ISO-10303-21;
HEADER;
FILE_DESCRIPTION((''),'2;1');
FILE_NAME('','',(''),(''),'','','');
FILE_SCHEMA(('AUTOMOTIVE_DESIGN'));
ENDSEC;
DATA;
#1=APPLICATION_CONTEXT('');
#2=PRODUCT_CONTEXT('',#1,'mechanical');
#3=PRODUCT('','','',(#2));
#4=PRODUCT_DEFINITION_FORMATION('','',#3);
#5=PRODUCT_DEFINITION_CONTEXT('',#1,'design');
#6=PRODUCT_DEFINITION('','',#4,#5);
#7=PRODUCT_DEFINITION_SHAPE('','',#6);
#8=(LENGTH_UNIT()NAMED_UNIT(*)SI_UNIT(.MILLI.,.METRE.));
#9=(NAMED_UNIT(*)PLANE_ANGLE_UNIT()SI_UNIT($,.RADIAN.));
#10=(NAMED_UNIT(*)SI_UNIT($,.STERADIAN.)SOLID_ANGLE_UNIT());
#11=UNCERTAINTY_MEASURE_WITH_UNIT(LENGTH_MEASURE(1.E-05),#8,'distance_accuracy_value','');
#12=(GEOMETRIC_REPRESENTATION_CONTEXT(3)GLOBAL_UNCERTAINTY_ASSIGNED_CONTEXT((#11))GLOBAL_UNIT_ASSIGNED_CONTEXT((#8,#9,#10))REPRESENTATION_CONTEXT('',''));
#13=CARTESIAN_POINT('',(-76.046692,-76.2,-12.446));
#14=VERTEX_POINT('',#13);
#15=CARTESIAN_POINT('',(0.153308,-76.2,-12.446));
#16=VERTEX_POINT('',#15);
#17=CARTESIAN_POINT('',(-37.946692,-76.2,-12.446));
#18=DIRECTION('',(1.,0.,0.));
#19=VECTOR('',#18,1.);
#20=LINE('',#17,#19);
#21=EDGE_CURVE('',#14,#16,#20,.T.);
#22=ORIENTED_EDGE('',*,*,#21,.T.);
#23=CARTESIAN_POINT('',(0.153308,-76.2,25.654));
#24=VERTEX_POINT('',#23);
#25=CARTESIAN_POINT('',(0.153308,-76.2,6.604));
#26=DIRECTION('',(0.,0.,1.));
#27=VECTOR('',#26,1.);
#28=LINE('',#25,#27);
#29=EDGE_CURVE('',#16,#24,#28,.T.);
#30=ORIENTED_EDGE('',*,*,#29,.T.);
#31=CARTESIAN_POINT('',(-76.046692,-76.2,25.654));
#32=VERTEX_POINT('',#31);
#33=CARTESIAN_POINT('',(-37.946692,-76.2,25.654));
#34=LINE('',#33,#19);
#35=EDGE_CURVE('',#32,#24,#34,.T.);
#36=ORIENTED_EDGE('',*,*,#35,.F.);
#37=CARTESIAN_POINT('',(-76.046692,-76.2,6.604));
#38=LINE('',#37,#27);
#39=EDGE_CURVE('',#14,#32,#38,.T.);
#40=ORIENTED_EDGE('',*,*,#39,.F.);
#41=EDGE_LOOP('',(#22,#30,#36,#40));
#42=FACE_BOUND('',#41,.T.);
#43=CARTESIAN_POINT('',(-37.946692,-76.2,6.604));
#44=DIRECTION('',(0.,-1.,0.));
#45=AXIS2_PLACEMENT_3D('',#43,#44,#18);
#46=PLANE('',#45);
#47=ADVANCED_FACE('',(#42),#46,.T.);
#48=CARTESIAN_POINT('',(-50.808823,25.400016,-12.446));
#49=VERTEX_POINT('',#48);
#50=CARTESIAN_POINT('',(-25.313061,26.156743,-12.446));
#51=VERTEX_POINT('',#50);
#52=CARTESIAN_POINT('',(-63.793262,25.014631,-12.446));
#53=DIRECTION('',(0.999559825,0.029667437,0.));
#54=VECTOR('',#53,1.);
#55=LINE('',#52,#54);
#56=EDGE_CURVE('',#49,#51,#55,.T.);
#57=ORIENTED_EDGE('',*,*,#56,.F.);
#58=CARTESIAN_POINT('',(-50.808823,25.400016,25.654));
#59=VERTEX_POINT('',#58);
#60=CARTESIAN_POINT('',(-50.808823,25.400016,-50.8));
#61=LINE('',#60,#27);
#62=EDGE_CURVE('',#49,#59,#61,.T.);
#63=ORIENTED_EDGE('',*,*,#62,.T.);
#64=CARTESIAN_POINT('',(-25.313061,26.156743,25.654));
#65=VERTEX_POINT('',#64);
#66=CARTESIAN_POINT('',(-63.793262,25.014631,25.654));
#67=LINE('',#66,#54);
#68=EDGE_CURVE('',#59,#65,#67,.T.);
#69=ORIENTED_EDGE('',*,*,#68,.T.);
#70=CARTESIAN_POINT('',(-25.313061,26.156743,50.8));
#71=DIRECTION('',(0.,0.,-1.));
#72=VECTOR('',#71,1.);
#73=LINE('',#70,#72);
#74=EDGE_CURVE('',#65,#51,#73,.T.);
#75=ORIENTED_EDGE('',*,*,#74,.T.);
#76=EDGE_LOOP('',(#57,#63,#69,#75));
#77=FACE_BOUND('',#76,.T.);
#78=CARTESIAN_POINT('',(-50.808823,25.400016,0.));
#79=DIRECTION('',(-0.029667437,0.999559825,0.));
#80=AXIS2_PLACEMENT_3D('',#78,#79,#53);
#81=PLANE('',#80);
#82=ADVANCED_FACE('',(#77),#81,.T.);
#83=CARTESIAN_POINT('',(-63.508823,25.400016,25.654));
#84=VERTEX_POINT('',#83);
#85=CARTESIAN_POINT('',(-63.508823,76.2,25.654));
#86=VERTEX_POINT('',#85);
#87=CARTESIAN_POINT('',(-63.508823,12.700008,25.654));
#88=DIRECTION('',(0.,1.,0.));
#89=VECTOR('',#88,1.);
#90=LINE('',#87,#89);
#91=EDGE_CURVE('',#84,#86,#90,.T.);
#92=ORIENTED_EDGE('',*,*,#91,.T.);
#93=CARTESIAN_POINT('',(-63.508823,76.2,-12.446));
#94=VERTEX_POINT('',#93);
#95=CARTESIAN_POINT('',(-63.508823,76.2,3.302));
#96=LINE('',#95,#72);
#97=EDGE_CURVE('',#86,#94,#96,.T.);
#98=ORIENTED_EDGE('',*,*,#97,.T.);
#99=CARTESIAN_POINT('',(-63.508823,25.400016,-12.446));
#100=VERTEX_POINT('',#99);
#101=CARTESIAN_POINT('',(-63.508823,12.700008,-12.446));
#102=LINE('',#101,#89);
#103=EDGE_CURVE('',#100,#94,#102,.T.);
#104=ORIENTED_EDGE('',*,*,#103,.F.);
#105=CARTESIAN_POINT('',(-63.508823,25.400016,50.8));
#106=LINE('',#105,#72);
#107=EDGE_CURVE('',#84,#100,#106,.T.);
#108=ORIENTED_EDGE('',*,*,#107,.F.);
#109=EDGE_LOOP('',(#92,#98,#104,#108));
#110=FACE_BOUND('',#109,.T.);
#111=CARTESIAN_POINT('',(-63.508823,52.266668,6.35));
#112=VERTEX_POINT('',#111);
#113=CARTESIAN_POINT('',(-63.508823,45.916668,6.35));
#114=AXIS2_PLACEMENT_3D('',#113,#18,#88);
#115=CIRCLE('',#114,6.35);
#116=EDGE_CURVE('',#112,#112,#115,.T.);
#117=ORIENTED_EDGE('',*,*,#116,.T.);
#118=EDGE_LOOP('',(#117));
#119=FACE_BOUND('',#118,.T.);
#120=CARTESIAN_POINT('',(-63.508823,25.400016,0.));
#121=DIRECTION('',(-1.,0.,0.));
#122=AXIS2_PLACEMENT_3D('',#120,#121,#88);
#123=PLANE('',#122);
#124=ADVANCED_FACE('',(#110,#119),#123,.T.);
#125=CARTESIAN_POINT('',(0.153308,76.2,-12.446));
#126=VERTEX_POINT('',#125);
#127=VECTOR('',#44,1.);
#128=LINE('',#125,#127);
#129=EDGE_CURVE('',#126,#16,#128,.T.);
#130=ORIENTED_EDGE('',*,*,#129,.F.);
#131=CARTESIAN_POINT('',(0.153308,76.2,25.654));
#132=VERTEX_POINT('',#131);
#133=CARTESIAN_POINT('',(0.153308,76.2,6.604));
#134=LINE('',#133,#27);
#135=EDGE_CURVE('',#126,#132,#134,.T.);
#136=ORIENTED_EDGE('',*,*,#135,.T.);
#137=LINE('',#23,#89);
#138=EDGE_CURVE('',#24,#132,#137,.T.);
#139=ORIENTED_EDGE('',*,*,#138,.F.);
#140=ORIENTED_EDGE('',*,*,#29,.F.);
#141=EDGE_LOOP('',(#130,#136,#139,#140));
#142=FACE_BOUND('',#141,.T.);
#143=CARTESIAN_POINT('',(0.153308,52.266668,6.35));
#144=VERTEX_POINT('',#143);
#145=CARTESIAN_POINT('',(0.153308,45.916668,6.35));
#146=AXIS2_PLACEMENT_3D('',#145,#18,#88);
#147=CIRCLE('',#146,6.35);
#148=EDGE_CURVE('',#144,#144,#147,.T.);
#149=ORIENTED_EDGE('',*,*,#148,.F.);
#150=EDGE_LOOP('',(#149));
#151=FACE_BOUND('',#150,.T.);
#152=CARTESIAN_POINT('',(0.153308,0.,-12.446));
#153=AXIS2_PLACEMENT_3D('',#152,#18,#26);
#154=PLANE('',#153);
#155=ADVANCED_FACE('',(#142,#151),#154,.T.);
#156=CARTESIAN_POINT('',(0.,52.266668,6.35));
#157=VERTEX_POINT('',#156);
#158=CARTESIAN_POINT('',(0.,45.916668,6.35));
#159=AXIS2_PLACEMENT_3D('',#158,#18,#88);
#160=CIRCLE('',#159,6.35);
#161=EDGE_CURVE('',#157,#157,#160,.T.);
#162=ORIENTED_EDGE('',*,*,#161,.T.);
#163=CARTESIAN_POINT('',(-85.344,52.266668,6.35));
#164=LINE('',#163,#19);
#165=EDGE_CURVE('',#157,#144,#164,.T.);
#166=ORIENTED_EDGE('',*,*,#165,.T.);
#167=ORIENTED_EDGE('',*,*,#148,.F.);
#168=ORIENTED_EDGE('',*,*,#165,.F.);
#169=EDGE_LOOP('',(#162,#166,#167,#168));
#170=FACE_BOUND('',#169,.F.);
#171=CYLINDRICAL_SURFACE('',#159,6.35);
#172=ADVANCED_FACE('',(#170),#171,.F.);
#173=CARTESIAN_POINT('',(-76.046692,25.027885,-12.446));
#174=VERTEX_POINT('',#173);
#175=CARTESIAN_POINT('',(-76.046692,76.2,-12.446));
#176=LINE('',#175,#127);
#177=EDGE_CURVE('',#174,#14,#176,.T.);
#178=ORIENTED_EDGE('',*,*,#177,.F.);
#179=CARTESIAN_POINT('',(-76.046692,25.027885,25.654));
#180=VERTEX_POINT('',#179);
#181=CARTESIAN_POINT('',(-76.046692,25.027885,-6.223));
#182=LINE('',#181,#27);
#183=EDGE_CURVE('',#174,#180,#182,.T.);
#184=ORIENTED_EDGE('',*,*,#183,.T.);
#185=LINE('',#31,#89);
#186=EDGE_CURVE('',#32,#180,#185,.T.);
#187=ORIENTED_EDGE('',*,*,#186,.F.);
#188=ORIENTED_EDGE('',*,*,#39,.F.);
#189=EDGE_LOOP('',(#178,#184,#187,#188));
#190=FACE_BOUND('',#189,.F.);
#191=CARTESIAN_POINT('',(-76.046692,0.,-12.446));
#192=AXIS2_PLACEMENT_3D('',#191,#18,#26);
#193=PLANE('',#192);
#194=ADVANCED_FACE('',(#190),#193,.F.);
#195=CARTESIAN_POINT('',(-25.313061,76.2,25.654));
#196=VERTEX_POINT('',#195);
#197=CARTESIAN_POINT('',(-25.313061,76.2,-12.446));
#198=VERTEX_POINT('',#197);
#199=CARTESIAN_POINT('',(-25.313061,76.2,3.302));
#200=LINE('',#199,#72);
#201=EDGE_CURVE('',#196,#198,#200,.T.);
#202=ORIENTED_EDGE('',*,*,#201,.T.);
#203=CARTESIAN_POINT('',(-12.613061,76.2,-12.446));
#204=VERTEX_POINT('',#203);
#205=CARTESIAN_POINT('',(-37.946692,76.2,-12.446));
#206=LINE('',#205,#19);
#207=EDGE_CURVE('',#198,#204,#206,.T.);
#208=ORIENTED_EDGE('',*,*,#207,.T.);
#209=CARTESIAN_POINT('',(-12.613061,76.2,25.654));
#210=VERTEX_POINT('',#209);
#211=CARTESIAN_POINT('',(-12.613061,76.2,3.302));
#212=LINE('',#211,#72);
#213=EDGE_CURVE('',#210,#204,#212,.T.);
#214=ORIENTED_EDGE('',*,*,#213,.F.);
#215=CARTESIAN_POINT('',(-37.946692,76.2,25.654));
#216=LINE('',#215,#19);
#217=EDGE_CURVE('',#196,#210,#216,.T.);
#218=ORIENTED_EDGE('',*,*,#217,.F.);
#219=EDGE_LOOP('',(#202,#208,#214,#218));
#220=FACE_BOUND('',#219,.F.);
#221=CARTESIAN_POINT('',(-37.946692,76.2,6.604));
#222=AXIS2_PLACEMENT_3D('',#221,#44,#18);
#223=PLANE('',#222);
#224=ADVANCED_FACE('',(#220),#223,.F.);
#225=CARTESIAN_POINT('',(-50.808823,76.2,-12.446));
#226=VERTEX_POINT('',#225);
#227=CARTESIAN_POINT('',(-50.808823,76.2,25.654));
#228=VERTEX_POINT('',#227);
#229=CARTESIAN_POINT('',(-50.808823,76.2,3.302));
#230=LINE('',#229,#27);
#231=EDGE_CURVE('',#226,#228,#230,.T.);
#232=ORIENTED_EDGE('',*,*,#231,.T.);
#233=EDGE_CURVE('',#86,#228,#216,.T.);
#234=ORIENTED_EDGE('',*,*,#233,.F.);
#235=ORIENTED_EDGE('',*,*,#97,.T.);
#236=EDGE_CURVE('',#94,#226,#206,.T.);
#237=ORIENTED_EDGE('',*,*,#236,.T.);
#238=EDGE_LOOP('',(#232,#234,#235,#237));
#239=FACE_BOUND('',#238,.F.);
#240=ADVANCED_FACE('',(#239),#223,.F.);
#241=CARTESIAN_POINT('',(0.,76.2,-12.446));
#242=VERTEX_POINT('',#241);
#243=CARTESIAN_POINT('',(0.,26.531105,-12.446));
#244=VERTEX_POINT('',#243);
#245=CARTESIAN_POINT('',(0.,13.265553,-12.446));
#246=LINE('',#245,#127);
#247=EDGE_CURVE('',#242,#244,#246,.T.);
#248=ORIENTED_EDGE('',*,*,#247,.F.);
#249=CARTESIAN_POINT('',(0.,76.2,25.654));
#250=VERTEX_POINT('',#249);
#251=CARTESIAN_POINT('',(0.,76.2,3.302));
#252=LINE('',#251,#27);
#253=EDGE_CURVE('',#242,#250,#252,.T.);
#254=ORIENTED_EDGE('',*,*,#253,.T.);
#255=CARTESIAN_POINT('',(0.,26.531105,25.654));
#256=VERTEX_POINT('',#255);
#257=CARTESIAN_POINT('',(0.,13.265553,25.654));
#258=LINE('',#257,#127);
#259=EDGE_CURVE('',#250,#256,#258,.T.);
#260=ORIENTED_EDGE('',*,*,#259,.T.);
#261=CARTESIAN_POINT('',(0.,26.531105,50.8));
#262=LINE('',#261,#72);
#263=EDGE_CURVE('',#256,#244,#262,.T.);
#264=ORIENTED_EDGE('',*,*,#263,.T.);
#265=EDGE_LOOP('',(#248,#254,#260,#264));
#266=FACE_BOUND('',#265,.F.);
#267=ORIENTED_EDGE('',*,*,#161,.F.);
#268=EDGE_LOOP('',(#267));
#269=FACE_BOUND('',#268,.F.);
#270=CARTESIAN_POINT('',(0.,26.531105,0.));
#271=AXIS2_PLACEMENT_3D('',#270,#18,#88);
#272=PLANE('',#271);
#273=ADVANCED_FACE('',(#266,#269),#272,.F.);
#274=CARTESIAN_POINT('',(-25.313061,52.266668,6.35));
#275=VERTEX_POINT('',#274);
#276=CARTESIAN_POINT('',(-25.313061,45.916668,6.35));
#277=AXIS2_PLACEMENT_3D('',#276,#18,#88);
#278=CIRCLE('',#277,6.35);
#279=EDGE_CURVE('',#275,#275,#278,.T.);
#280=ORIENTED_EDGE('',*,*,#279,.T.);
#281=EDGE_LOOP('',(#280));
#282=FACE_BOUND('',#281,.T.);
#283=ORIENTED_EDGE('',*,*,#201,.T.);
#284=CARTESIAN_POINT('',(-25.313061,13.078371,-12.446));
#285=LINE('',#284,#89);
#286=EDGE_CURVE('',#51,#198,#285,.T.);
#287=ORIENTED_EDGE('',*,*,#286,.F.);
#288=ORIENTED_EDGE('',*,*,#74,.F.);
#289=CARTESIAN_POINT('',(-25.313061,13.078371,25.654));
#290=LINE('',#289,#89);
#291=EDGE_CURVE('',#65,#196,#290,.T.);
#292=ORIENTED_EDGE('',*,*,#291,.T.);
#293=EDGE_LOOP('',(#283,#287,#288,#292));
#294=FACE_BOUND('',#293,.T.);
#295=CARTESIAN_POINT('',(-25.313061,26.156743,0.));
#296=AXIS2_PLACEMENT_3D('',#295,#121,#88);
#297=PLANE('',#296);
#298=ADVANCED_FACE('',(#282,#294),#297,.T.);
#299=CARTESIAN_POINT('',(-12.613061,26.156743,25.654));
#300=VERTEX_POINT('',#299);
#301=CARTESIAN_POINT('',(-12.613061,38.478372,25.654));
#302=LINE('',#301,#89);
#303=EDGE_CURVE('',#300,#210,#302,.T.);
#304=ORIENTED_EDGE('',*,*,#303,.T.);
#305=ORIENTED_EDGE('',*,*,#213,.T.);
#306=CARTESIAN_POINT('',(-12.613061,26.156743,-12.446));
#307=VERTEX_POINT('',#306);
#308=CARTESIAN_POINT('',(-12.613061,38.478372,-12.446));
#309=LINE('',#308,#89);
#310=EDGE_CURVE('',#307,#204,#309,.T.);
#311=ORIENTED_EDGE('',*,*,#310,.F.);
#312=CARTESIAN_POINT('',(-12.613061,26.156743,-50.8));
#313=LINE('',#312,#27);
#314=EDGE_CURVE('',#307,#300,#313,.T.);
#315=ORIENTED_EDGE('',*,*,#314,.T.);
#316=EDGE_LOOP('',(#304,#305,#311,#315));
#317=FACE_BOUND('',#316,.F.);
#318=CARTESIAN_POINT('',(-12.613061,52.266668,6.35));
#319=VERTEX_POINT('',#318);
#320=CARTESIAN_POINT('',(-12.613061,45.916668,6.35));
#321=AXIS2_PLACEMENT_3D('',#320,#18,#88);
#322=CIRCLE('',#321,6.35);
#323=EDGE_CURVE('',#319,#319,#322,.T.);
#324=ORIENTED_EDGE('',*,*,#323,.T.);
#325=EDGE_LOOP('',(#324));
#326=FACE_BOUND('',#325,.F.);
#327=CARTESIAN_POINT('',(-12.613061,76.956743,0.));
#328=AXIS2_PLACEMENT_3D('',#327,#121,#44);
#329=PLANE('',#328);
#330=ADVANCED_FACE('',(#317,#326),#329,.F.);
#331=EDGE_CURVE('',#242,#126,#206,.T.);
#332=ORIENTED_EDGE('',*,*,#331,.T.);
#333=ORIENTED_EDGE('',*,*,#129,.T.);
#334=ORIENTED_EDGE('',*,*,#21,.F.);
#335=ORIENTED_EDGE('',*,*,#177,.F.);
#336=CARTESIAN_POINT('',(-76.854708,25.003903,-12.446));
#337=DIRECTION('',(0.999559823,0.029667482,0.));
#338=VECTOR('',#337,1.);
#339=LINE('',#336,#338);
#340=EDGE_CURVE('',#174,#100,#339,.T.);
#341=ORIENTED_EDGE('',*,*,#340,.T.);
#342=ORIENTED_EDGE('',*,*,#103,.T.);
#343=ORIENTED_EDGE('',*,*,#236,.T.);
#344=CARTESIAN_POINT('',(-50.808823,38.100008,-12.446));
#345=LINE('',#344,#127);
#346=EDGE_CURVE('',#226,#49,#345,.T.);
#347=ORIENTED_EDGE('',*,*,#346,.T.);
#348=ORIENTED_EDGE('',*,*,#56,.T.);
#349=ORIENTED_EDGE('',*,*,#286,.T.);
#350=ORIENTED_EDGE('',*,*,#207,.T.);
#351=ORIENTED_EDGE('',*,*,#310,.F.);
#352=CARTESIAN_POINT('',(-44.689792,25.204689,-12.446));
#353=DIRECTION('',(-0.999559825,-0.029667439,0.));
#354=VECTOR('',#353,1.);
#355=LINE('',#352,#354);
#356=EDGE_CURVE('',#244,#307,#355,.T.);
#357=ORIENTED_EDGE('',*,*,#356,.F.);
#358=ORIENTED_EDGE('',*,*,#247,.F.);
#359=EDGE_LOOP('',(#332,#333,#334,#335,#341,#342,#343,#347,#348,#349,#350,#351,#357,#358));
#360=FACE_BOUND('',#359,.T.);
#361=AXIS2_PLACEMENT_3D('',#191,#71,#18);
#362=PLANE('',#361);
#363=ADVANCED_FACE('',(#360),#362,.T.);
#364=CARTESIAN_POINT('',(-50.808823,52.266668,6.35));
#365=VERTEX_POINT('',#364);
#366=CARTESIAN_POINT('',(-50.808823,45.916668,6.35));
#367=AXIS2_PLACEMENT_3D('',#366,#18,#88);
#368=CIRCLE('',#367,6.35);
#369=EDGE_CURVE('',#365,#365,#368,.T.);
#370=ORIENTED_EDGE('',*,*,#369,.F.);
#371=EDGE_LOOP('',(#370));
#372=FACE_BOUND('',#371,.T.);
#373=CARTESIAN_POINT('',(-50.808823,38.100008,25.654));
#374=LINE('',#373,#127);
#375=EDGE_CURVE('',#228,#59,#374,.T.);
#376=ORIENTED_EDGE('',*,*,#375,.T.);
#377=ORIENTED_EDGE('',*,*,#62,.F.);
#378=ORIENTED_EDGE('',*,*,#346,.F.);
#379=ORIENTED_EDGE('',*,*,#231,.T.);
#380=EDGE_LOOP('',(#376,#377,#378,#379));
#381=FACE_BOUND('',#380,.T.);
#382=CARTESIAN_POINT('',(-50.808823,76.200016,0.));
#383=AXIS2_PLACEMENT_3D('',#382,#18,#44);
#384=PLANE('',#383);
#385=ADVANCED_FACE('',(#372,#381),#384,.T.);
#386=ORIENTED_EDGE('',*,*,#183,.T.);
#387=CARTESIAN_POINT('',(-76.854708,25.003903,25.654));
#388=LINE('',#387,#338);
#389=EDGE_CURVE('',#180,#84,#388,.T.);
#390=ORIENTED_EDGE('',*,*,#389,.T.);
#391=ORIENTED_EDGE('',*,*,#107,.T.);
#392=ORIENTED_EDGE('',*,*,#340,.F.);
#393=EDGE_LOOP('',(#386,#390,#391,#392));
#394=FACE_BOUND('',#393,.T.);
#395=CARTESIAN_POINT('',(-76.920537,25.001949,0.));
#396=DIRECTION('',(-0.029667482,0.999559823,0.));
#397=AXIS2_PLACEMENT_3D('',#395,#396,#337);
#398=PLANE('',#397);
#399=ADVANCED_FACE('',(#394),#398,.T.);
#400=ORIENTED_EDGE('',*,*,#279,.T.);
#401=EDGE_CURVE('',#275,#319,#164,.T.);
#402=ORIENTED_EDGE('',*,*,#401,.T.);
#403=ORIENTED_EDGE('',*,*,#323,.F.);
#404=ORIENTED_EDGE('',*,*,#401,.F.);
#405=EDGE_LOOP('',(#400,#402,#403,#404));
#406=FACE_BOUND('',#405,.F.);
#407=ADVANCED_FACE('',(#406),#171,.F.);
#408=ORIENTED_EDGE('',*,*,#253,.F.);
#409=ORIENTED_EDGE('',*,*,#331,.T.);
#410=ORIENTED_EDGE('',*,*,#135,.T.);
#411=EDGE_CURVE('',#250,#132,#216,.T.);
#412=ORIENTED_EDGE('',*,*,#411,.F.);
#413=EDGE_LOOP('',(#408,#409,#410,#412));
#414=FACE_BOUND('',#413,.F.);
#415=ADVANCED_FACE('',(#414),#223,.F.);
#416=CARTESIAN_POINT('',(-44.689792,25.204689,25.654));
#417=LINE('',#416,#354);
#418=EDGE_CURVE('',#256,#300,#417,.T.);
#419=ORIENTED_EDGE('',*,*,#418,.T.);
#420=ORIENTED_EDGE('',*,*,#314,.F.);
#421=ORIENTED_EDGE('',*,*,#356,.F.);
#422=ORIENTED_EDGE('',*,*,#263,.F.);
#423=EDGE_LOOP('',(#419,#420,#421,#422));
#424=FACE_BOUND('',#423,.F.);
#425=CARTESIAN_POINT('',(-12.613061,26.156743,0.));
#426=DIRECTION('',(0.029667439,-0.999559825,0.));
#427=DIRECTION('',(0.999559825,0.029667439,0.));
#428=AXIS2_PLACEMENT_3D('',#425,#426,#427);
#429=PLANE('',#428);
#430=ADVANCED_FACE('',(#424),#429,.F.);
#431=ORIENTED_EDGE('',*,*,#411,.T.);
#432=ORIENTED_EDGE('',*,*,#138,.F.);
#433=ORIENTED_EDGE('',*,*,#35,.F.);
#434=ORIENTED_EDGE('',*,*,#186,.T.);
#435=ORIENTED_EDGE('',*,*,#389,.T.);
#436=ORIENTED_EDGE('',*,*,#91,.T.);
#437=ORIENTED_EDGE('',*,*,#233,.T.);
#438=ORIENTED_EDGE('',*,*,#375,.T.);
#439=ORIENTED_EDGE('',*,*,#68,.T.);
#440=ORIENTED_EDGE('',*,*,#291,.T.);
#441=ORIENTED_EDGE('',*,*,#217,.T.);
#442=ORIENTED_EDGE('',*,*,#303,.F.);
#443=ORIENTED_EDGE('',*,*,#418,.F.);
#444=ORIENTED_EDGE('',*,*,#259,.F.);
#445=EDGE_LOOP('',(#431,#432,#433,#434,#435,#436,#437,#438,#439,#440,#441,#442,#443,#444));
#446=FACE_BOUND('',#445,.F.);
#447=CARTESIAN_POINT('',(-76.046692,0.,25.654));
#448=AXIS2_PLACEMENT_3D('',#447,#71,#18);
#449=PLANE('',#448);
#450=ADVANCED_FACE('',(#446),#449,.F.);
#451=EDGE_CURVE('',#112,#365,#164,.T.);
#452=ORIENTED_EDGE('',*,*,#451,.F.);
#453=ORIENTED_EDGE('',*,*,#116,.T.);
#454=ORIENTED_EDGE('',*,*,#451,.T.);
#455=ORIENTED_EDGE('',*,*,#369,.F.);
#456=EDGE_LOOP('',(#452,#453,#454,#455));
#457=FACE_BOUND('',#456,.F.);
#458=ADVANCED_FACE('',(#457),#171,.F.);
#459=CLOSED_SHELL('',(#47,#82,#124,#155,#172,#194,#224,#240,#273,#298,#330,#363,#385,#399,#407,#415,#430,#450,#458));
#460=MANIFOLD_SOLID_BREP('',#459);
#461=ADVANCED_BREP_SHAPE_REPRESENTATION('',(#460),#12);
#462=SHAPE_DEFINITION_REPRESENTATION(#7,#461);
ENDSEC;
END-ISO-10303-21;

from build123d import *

# Parameters (mm, degrees)
F0_W     = 76.2
F0_H     = 38.1
F1_DEPTH = 76.2
F3_R     = 6.35
F4_DEPTH = 85.344
F6_DEPTH = 50.8


with BuildPart() as f1:
    # F0 (on Front) → F1 (new body, symmetric)
    with BuildSketch(Plane.XZ):
        with Locations((-179.678692, 19.05)):
            Rectangle(F0_W, F0_H)
    extrude(amount=F1_DEPTH, both=True)


with BuildPart() as f1_1:
    # F2: moved
    add(f1.part.moved(Location((141.732, 0, -12.446))))

    # F3 (on Right) → F4 (cut, symmetric)
    with BuildSketch(Plane.YZ):
        with Locations((45.916668, 6.35)):
            Circle(F3_R)
    extrude(amount=F4_DEPTH, both=True, mode=Mode.SUBTRACT)

    # F5 (on Top) → F6 (cut, symmetric)
    with BuildSketch(Plane.XY):
        Polygon((-63.508823, 25.400016), (-63.508823, 76.200016), (-76.920537, 76.956743), (-76.920537, 25.001949), align=None)
        Polygon((-25.313061, 76.956743), (-50.808823, 76.200016), (-50.808823, 25.400016), (-25.313061, 26.156743), align=None)
        Polygon((0, 76.200016), (-12.613061, 76.956743), (-12.613061, 26.156743), (0, 26.531105), align=None)
    extrude(amount=F6_DEPTH, both=True, mode=Mode.SUBTRACT)


solid = f1_1.part
